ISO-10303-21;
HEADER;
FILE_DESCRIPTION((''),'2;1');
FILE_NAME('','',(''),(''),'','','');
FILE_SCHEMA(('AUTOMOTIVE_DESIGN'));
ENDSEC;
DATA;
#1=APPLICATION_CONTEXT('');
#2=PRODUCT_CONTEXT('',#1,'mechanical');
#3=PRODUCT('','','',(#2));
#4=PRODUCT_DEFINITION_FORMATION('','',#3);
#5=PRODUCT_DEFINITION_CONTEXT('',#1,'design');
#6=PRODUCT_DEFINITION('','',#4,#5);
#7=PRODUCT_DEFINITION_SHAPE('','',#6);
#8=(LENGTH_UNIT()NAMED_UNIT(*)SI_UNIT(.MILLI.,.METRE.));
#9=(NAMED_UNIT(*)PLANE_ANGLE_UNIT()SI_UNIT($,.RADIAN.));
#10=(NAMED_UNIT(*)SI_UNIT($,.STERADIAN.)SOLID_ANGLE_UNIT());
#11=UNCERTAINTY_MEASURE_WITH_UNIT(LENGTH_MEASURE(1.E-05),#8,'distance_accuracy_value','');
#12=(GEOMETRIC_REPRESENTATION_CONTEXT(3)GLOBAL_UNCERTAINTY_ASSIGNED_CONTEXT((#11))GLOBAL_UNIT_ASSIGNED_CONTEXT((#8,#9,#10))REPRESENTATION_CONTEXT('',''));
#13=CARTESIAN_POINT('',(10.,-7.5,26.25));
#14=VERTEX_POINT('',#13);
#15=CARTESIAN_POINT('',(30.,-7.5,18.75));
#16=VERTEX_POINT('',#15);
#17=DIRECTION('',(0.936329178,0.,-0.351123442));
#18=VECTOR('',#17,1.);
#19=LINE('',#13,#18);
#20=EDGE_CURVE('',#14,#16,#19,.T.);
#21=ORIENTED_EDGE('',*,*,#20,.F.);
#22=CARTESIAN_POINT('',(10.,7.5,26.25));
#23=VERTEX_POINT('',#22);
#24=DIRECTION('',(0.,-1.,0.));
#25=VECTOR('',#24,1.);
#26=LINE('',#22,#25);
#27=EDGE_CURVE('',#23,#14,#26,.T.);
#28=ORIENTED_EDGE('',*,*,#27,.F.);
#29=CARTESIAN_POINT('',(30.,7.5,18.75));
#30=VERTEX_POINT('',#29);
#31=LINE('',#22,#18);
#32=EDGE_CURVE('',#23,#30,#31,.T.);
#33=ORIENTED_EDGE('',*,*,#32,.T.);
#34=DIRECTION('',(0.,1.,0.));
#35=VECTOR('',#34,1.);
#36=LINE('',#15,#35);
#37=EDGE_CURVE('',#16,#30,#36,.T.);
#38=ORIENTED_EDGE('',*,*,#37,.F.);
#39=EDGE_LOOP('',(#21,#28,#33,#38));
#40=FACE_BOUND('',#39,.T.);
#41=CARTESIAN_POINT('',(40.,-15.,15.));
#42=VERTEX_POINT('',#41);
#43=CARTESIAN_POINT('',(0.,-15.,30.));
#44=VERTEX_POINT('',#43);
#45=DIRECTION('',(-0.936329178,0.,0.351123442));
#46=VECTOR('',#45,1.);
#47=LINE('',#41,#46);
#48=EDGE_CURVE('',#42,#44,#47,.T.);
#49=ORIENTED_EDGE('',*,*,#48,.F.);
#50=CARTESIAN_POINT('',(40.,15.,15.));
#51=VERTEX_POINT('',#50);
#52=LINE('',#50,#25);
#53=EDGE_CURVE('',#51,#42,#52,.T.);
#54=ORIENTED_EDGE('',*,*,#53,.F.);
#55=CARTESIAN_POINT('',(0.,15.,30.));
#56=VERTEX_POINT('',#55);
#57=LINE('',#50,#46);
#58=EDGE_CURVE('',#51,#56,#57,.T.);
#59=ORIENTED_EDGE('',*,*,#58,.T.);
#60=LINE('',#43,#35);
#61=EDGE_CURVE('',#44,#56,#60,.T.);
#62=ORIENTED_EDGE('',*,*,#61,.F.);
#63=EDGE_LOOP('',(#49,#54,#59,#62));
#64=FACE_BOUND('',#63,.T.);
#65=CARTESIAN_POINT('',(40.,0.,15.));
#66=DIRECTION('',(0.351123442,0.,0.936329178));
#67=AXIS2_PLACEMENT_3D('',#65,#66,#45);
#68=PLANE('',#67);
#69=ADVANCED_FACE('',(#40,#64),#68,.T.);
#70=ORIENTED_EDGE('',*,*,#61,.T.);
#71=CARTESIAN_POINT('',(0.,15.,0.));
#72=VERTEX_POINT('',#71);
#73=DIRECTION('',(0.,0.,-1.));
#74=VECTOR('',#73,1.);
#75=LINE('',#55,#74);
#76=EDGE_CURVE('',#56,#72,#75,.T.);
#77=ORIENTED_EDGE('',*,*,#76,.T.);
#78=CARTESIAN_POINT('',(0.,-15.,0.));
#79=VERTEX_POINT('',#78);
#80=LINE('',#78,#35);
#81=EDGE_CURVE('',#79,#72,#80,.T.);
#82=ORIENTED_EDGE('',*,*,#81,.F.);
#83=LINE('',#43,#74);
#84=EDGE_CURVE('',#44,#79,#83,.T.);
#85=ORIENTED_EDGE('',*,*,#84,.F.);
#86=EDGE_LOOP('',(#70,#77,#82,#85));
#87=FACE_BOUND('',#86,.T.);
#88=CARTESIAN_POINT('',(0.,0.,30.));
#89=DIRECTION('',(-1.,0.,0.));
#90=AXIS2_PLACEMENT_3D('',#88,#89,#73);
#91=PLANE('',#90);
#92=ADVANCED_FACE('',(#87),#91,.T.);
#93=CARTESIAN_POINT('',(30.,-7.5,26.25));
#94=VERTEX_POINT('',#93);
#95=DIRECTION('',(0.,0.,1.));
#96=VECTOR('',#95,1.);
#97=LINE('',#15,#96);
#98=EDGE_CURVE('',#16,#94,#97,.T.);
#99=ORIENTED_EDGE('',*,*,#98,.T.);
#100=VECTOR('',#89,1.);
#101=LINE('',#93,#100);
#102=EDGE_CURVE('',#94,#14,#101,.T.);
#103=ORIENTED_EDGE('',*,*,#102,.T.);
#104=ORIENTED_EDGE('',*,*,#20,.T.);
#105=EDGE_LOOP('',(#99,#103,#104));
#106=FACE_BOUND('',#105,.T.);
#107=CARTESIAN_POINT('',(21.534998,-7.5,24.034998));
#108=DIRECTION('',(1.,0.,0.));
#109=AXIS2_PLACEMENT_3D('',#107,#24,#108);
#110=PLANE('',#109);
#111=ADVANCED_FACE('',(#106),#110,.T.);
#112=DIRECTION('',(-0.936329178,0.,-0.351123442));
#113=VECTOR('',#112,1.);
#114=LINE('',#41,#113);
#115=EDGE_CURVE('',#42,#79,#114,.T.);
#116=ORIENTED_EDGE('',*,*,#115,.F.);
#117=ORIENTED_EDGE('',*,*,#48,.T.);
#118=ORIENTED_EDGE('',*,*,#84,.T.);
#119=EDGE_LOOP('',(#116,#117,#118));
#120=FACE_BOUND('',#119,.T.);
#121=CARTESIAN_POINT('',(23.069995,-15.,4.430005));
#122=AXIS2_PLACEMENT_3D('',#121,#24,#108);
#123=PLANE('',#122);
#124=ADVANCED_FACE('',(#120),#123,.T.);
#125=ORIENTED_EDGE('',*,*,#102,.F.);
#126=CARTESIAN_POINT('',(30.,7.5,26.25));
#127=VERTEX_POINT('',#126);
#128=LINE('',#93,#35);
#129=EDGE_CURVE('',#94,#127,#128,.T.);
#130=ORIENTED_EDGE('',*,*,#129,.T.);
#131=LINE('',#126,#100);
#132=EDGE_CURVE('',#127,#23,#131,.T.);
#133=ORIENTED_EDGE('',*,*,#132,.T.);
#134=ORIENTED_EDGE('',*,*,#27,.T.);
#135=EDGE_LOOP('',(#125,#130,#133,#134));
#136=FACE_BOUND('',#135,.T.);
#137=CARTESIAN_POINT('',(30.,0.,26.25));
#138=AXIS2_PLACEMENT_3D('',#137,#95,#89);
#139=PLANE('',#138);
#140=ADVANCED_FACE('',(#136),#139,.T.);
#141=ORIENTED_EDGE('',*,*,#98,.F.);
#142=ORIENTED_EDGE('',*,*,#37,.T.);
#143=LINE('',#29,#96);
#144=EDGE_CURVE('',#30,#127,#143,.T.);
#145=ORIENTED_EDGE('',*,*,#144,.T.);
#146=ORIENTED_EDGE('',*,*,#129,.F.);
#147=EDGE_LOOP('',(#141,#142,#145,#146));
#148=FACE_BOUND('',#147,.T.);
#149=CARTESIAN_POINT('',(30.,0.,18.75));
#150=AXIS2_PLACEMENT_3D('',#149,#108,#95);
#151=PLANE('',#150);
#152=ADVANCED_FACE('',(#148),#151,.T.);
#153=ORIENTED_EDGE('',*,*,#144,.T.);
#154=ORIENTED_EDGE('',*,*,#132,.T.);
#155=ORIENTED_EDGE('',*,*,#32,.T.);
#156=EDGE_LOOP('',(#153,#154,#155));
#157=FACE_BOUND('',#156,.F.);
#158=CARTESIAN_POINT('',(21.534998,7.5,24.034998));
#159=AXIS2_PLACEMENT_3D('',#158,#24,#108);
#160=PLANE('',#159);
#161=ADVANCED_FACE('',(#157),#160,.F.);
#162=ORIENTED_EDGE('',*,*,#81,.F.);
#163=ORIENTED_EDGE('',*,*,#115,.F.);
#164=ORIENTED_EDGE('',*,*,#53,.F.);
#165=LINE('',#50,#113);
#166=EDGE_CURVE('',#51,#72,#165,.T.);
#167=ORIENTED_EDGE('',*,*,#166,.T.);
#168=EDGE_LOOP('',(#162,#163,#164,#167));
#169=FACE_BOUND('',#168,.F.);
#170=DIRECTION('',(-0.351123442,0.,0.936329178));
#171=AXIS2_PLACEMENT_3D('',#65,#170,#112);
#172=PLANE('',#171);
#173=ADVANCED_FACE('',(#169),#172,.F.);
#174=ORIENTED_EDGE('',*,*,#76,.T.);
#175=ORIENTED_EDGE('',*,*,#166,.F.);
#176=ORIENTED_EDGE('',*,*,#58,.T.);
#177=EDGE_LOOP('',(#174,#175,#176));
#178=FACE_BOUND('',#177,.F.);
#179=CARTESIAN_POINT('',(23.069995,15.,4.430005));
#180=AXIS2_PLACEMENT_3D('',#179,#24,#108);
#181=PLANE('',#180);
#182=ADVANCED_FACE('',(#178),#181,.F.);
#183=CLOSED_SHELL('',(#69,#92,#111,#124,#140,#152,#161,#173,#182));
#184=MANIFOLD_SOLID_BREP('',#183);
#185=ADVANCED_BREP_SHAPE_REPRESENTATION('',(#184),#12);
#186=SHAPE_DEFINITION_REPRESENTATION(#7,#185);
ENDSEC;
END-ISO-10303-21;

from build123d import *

# Parameters (mm, degrees)
F1_DEPTH = 15
F2_DEPTH = 7.5
F3_DEPTH = 15


with BuildPart() as f1:
    # F0 (on Front) → F1 (new body, symmetric)
    with BuildSketch(Plane.XZ):
        Polygon((40, 15), (0, 0), (40, 0), align=None)
        Polygon((30, 18.75), (10, 26.25), (10, 18.75), align=None)
        Polygon((0, 30), (0, 0), (40, 15), (30, 18.75), (10, 18.75), (10, 26.25), align=None)
    extrude(amount=F1_DEPTH, both=True)

    # F0 (on Front) → F2 (join, symmetric)
    with BuildSketch(Plane.XZ):
        Polygon((30, 26.25), (10, 26.25), (30, 18.75), align=None)
    extrude(amount=F2_DEPTH, both=True)

    # F0 (on Front) → F3 (cut, symmetric)
    with BuildSketch(Plane.XZ):
        Polygon((40, 15), (0, 0), (40, 0), align=None)
    extrude(amount=F3_DEPTH, both=True, mode=Mode.SUBTRACT)


solid = f1.part
